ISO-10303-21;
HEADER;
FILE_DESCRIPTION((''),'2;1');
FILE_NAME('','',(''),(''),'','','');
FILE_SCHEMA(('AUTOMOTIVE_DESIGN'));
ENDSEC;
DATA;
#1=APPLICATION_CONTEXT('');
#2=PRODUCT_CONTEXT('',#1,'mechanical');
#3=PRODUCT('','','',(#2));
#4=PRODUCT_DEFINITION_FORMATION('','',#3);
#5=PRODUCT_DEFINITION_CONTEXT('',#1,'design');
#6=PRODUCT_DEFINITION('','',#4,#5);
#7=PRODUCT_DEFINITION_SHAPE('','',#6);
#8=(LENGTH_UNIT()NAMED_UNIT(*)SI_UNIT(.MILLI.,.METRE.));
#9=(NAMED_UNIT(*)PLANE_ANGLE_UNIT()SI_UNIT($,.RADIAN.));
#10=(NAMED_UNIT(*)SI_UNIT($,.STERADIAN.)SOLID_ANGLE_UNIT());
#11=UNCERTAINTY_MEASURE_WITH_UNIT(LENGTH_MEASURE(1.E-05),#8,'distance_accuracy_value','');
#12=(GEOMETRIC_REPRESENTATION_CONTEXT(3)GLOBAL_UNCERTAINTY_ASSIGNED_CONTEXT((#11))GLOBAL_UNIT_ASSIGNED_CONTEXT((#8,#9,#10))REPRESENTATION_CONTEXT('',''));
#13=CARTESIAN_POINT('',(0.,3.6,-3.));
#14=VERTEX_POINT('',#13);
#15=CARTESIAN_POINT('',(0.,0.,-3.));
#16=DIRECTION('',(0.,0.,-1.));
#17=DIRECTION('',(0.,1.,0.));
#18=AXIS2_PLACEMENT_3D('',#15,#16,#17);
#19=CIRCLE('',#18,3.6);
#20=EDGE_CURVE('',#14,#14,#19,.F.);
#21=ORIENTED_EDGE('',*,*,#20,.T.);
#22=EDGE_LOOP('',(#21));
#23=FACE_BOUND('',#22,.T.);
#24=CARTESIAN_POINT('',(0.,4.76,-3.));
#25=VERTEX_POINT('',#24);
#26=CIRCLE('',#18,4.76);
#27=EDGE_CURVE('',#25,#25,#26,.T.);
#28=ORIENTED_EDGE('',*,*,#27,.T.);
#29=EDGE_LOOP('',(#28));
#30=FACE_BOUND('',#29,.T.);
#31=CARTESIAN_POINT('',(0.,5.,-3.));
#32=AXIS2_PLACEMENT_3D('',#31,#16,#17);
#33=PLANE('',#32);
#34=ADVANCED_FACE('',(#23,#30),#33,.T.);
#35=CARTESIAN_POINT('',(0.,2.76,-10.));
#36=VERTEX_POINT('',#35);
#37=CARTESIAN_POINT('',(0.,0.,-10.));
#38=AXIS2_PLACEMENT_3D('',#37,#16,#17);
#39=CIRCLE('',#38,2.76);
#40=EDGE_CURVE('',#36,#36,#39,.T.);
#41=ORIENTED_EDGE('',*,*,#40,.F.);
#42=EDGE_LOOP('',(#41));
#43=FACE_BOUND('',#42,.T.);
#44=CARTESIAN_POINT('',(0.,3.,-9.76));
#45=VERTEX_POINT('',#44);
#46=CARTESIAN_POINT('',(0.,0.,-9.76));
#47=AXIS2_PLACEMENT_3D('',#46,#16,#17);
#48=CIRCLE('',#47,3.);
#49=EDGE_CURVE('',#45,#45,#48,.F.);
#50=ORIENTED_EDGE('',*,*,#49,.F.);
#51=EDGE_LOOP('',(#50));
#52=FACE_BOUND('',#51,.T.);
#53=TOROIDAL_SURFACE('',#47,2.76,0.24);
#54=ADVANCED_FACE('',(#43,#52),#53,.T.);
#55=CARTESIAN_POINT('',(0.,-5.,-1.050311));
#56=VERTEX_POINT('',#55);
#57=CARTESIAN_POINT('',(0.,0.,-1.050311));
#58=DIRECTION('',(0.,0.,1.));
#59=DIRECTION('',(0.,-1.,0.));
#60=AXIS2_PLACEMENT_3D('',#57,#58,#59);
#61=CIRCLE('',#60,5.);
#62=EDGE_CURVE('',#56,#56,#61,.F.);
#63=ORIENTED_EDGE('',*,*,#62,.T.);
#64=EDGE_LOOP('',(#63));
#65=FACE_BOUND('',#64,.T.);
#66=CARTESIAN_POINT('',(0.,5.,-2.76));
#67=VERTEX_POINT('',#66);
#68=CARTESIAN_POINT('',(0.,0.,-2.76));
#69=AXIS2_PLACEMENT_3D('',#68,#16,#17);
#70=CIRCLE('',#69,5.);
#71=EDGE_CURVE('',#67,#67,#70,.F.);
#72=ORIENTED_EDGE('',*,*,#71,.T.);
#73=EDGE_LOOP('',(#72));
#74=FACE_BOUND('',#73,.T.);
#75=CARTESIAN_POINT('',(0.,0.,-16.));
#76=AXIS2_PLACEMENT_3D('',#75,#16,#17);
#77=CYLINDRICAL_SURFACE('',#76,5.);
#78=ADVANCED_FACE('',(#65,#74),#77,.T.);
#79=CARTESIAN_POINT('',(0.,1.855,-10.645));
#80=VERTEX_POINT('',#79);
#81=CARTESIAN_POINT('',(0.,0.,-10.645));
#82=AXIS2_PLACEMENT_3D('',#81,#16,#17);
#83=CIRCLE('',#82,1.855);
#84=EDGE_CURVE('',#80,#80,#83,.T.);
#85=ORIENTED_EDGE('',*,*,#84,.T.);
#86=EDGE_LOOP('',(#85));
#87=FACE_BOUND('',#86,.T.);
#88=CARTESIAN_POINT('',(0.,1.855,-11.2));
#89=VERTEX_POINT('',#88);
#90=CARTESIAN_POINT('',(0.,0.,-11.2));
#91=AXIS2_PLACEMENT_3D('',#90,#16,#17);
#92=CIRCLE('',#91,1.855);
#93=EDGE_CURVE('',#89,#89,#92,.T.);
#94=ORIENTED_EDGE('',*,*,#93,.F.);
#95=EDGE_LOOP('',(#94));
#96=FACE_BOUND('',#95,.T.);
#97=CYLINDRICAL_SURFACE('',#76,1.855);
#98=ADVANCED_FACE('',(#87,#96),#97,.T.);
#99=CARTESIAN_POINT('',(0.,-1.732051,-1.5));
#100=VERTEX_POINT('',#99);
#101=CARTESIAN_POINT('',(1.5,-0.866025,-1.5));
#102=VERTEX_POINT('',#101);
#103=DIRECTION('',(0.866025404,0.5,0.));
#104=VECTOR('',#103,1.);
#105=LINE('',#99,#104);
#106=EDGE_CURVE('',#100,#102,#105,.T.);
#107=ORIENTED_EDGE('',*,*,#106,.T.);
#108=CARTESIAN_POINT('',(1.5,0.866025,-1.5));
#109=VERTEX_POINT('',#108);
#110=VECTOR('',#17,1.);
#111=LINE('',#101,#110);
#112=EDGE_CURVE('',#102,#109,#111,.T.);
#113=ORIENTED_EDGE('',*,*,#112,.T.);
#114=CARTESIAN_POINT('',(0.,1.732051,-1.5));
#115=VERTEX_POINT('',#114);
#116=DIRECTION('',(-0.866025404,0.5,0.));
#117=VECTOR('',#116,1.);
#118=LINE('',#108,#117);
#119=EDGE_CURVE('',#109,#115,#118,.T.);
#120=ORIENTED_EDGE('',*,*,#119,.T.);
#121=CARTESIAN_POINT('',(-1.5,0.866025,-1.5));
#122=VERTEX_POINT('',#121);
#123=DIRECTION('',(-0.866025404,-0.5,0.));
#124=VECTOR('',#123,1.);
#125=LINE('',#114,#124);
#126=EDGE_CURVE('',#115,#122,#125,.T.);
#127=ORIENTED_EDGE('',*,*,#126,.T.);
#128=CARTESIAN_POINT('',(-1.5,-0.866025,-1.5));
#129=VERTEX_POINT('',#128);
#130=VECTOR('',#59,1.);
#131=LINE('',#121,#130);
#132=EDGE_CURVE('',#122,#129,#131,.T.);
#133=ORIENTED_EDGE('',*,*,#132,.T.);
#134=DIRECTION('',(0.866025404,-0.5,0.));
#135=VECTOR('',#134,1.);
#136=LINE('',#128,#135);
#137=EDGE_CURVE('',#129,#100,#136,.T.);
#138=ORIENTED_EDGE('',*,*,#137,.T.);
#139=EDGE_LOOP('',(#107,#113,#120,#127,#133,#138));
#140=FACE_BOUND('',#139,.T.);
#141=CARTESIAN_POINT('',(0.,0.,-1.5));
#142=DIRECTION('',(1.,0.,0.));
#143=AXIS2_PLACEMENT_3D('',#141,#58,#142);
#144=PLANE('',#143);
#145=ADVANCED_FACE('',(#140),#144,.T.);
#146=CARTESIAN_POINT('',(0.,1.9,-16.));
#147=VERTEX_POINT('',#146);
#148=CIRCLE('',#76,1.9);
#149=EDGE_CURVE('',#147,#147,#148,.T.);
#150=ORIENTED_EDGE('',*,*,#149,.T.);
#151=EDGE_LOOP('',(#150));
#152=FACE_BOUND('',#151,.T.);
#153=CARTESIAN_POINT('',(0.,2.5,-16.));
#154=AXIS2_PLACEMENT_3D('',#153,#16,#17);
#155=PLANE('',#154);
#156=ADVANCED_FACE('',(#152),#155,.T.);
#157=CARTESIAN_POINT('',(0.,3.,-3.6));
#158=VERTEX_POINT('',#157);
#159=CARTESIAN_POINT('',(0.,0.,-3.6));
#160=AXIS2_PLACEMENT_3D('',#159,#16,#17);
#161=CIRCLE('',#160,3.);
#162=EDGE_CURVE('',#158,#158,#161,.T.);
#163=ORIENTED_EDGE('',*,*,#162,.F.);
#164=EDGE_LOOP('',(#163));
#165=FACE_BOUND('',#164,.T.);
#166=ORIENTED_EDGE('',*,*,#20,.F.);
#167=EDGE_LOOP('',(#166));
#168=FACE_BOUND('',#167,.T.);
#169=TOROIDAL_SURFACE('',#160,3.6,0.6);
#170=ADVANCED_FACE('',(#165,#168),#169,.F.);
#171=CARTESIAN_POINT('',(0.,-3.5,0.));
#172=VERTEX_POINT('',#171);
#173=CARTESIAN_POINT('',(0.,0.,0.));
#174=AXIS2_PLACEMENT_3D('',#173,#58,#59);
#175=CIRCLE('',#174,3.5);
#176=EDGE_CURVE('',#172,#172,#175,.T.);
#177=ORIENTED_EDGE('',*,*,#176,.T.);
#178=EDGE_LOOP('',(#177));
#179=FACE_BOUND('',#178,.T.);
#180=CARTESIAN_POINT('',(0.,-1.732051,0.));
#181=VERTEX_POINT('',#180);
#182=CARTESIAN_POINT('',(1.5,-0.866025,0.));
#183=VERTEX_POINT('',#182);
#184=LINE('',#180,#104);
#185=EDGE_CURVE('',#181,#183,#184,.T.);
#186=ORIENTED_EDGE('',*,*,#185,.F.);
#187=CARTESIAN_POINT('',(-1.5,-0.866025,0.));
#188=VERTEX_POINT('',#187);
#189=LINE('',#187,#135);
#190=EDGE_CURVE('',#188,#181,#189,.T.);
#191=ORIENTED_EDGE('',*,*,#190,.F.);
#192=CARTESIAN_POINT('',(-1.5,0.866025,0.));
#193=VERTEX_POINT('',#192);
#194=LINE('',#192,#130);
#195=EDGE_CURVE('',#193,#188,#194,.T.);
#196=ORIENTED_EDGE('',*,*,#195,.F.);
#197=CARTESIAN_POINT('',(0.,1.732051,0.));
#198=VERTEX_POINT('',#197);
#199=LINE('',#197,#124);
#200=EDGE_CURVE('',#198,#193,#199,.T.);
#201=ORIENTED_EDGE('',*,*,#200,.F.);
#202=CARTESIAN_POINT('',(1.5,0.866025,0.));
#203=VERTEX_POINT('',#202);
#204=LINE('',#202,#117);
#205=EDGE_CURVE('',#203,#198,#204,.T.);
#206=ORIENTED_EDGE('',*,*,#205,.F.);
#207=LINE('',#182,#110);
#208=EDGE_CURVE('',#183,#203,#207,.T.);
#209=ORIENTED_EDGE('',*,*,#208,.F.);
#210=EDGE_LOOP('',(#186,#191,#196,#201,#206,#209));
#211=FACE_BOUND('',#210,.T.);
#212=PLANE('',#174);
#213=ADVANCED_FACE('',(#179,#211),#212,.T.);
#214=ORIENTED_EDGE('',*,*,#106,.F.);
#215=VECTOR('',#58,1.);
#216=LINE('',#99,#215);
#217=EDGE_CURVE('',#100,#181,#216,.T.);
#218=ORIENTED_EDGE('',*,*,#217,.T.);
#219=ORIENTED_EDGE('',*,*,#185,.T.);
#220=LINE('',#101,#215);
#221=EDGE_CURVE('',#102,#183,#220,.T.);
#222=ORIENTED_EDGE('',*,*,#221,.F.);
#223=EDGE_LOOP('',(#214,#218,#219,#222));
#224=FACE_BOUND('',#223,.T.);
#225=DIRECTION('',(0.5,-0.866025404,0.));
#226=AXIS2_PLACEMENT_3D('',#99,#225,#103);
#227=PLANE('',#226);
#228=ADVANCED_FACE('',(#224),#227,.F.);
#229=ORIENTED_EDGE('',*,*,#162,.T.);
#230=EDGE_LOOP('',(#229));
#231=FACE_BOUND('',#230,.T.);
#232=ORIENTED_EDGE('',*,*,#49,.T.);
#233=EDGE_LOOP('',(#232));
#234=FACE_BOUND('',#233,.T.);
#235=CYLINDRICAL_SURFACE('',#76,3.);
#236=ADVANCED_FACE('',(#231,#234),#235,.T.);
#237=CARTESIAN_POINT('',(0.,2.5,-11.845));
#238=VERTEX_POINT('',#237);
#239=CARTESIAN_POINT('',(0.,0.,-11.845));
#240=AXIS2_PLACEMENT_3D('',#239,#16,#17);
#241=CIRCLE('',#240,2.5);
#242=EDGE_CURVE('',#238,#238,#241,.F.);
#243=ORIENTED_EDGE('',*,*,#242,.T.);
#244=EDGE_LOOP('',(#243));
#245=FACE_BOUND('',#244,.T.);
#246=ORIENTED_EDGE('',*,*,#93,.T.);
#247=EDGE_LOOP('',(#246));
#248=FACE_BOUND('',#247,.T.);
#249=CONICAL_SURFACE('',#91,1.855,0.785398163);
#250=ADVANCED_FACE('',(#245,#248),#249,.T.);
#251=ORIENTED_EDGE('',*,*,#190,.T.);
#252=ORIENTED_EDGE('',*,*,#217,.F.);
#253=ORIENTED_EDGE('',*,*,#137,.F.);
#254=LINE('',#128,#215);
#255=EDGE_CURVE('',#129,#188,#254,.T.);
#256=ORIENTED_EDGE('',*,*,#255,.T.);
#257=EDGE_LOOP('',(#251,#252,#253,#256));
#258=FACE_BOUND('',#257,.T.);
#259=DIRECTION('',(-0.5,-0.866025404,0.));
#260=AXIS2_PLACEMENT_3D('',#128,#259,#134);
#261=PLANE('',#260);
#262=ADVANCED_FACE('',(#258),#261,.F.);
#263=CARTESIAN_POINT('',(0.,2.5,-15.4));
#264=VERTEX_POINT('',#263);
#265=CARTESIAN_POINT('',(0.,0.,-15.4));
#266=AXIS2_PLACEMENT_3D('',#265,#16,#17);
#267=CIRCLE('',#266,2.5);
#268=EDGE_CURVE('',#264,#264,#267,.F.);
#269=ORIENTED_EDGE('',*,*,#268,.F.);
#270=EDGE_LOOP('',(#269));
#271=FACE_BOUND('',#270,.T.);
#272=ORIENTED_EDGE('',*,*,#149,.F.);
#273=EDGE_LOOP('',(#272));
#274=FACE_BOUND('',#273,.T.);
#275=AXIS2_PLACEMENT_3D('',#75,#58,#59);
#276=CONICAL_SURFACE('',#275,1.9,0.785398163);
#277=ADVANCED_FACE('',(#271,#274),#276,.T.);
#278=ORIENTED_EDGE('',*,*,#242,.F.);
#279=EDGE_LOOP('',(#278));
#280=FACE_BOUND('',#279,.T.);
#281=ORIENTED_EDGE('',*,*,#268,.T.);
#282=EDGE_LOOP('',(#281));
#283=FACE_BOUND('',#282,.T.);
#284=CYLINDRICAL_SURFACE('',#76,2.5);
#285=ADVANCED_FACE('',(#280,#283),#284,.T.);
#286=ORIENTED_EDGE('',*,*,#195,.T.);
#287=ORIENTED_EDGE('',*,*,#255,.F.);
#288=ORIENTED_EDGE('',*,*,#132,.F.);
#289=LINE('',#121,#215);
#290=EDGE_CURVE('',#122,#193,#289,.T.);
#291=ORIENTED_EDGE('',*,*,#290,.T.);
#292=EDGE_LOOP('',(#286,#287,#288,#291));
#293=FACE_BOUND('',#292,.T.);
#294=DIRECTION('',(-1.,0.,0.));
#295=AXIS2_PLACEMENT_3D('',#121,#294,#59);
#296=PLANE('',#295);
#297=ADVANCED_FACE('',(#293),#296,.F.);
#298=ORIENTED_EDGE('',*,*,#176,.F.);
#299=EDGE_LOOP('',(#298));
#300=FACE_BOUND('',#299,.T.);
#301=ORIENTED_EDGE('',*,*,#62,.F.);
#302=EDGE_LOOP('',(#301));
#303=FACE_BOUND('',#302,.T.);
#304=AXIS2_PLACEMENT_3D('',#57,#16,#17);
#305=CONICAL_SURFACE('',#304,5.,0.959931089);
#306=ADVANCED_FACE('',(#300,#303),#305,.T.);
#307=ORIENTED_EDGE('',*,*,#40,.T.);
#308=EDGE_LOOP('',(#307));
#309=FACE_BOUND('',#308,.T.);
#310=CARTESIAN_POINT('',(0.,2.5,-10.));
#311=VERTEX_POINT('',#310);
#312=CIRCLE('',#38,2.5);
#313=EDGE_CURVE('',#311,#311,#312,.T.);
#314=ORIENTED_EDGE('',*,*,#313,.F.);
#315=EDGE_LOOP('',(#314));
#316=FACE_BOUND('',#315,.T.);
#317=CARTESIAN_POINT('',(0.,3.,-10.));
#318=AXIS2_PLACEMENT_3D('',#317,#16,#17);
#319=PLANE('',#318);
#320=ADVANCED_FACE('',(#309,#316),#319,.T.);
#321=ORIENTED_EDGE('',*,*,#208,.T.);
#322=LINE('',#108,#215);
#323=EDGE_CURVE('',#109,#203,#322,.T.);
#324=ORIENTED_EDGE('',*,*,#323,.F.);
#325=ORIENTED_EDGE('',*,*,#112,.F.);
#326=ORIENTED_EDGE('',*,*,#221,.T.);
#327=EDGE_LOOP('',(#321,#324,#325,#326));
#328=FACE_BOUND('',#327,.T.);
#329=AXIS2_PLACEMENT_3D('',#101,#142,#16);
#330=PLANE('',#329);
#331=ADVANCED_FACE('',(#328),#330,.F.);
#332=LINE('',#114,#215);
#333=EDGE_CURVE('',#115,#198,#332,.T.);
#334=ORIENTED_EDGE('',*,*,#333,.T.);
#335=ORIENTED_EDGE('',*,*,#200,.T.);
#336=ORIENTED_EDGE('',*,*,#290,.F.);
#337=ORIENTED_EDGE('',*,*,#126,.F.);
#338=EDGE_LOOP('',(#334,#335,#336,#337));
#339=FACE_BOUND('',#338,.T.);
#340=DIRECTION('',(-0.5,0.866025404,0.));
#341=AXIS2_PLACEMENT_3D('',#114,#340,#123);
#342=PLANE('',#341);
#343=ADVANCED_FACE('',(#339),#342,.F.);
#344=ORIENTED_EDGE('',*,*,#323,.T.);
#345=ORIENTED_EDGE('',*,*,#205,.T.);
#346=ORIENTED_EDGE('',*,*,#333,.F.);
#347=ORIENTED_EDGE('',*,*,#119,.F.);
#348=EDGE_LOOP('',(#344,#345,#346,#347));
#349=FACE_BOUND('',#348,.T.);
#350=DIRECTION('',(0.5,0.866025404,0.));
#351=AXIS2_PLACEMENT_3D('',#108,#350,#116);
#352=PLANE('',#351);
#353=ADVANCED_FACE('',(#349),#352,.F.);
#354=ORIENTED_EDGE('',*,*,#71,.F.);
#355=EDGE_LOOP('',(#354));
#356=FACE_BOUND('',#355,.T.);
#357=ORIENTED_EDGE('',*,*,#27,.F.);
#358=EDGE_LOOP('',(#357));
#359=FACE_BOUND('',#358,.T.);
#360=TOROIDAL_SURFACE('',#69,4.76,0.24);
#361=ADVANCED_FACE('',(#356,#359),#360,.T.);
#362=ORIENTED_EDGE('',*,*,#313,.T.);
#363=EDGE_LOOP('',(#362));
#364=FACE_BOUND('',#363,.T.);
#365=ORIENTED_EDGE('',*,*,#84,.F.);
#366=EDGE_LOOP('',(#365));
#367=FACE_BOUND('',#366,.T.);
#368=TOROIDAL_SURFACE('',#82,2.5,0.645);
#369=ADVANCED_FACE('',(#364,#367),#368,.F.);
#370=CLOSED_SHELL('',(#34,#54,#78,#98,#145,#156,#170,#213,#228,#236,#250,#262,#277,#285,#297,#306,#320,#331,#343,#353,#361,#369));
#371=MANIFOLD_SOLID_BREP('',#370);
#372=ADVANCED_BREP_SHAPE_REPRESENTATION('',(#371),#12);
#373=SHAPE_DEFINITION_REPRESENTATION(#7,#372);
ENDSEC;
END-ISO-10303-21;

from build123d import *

# Parameters (mm, degrees)
CUT_EXTRUDE2_DEPTH = 1.5
CHAMFER1_SIZE      = 0.6
CHAMFER2_SIZE      = 1.5
CHAMFER2_SIZE2     = 1.050311307
FILLET1_R          = 0.24
FILLET2_R          = 0.6


with BuildPart() as part:
    # Sketch10 → Revolve1 (revolve)
    with BuildSketch(Plane(origin=(0, 0, 0), x_dir=(0, 0, -1), z_dir=(1, 0, 0))):
        Polygon((10, 3), (10, 2.5), (16, 2.5), (16, 0), (0, 0), (0, 5), (3, 5), (3, 3), align=None)
    revolve(axis=Axis((0, 0, -16), (0, 0, 1)))

    # Sketch5 → Cut-Revolve1 (revolve, cut)
    with BuildSketch(Plane(origin=(0, 0, 0), x_dir=(0, 0, -1), z_dir=(1, 0, 0))):
        with BuildLine():
            Line((10, 3), (12.345, 3))
            Line((12.345, 3), (11.2, 1.855))
            Line((11.2, 1.855), (10.645, 1.855))
            ThreePointArc((10.645, 1.855), (10.188916126, 2.043916126), (10, 2.5))
            Line((10, 2.5), (10, 3))
        make_face()
    revolve(axis=Axis((0, 0, -16), (0, 0, 1)), mode=Mode.SUBTRACT)

    # Sketch8 → Cut-Extrude2 (cut)
    with BuildSketch(Plane.XY):
        Polygon((0, 1.732050808), (-1.5, 0.866025404), (-1.5, -0.866025404), (0, -1.732050808), (1.5, -0.866025404), (1.5, 0.866025404), align=None)
    extrude(amount=-CUT_EXTRUDE2_DEPTH, mode=Mode.SUBTRACT)

    # Chamfer1
    chamfer1_edges = [part.edges().sort_by_distance(p)[0] for p in [
        (0, -2.5, -16),
    ]]
    chamfer(chamfer1_edges, length=CHAMFER1_SIZE)

    # Chamfer2
    chamfer2_edges = [part.edges().sort_by_distance(p)[0] for p in [
        (0, -5, 0),
    ]]
    chamfer2_side = [part.faces().sort_by_distance(p)[0] for p in [
        (0, -4.858578644, 0),
    ]]
    chamfer(chamfer2_edges, length=CHAMFER2_SIZE, length2=CHAMFER2_SIZE2, reference=chamfer2_side[0])

    # Fillet1
    fillet1_edges = [part.edges().sort_by_distance(p)[0] for p in [
        (0, -5, -3),
        (0, -3, -10),
    ]]
    fillet(fillet1_edges, radius=FILLET1_R)

    # Fillet2
    fillet2_edges = [part.edges().sort_by_distance(p)[0] for p in [
        (0, -3, -3),
    ]]
    fillet(fillet2_edges, radius=FILLET2_R)


solid = part.part
